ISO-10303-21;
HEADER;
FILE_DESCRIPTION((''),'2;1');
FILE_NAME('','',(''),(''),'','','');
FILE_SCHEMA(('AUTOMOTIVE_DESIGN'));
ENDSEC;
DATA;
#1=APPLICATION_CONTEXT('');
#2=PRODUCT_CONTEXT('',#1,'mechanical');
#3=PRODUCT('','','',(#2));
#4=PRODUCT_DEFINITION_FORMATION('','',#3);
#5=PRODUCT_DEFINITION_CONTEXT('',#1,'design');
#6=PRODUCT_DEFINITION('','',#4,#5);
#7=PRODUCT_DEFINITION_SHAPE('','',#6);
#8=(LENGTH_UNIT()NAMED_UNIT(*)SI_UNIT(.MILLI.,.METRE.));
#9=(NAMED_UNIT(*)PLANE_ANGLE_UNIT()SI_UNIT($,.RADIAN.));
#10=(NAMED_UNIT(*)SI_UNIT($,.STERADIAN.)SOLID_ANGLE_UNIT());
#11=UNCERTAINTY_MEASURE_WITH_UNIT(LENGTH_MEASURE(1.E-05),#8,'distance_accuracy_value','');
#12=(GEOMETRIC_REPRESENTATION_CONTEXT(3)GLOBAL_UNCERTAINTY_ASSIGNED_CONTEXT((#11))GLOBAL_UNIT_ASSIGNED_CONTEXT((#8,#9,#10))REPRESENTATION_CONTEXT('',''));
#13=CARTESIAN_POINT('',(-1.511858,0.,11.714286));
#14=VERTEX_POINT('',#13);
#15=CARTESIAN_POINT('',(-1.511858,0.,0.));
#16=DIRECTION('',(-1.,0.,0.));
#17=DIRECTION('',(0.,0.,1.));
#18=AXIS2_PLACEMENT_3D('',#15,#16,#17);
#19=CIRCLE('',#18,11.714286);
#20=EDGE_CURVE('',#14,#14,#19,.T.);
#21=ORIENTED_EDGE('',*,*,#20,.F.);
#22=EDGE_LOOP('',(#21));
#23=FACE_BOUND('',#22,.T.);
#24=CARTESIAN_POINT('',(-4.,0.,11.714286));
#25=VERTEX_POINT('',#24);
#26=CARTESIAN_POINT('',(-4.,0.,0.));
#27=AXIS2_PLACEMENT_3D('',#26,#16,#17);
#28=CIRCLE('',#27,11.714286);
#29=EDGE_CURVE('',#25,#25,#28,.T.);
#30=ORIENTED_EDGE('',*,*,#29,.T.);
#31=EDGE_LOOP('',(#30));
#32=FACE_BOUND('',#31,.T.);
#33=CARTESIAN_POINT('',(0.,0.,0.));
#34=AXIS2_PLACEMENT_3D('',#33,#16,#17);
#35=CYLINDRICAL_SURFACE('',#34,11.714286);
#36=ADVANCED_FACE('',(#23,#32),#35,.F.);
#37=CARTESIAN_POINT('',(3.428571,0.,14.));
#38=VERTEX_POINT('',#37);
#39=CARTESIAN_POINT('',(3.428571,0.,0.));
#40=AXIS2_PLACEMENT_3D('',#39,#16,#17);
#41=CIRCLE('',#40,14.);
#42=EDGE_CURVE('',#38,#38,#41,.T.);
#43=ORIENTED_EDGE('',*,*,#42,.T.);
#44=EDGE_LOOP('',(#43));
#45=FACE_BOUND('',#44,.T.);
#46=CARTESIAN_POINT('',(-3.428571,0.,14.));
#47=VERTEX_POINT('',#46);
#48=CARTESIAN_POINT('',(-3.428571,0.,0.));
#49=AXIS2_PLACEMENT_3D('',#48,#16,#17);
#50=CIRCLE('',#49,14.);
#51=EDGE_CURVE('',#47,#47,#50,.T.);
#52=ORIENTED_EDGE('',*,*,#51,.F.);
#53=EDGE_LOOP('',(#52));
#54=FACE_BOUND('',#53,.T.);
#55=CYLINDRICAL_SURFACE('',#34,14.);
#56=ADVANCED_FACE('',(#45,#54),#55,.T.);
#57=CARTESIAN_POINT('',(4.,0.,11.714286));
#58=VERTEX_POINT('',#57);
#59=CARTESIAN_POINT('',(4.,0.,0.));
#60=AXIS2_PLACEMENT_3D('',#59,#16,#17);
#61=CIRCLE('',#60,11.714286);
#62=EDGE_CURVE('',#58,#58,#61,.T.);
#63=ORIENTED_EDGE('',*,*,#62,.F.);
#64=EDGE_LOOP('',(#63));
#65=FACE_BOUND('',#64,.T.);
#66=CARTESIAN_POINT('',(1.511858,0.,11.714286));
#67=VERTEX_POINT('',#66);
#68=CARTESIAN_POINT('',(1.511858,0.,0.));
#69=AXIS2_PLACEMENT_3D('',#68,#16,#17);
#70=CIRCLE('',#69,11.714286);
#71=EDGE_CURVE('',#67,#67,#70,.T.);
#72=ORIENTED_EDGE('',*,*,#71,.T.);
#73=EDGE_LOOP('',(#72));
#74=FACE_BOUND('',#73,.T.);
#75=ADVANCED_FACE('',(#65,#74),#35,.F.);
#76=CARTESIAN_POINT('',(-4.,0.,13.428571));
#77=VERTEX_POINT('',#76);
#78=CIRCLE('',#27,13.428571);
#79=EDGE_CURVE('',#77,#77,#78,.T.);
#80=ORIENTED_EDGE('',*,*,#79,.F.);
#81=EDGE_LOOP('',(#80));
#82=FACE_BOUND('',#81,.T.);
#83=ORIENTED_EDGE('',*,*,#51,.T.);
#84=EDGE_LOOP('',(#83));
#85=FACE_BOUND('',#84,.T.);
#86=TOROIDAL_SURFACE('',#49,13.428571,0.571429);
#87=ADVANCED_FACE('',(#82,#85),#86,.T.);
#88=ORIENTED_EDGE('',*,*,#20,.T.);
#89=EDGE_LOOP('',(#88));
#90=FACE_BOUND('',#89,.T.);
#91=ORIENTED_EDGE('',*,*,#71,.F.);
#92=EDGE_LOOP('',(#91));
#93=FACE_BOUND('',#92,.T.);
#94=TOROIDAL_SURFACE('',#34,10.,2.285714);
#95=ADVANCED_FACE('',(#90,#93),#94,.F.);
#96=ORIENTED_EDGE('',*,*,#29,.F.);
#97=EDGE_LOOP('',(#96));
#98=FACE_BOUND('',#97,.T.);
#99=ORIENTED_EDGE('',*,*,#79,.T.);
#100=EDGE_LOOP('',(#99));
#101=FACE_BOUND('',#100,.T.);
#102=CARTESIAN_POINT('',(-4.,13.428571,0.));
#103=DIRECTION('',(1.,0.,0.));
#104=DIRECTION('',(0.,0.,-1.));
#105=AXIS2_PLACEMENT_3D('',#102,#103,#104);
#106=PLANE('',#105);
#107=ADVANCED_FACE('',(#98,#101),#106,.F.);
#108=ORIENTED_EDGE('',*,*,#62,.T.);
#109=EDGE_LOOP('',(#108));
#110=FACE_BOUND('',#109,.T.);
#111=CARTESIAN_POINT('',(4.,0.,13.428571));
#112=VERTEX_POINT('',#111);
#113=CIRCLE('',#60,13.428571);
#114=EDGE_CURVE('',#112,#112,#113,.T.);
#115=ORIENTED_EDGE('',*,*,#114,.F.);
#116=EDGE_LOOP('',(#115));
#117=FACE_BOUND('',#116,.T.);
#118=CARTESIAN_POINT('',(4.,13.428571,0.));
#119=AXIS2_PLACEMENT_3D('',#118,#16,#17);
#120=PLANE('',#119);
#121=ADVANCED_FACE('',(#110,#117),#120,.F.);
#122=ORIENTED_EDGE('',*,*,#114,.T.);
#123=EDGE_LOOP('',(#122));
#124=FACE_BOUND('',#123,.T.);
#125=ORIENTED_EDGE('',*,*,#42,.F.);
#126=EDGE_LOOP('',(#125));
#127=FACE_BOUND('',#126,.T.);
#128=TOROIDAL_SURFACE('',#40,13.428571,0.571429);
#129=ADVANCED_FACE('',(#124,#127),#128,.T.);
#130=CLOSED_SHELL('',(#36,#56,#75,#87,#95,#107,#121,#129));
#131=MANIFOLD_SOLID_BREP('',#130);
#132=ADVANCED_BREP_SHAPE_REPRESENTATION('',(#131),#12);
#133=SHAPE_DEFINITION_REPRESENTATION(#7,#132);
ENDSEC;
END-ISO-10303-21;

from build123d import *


with BuildPart() as part:
    # Esquisse1 → Base-Révolution (revolve)
    with BuildSketch(Plane.XY):
        with BuildLine():
            Line((-3.428571429, 14), (3.428571429, 14))
            ThreePointArc((3.428571429, 14), (3.832632446, 13.832632446), (4, 13.428571429))
            Line((4, 13.428571429), (4, 11.714285714))
            Line((4, 11.714285714), (1.511857892, 11.714285714))
            ThreePointArc((1.511857892, 11.714285714), (0, 12.285714286), (-1.511857892, 11.714285714))
            Line((-1.511857892, 11.714285714), (-4, 11.714285714))
            Line((-4, 11.714285714), (-4, 13.428571429))
            ThreePointArc((-4, 13.428571429), (-3.832632446, 13.832632446), (-3.428571429, 14))
        make_face()
    revolve(axis=Axis((0, 0, 0), (1, 0, 0)))


solid = part.part
